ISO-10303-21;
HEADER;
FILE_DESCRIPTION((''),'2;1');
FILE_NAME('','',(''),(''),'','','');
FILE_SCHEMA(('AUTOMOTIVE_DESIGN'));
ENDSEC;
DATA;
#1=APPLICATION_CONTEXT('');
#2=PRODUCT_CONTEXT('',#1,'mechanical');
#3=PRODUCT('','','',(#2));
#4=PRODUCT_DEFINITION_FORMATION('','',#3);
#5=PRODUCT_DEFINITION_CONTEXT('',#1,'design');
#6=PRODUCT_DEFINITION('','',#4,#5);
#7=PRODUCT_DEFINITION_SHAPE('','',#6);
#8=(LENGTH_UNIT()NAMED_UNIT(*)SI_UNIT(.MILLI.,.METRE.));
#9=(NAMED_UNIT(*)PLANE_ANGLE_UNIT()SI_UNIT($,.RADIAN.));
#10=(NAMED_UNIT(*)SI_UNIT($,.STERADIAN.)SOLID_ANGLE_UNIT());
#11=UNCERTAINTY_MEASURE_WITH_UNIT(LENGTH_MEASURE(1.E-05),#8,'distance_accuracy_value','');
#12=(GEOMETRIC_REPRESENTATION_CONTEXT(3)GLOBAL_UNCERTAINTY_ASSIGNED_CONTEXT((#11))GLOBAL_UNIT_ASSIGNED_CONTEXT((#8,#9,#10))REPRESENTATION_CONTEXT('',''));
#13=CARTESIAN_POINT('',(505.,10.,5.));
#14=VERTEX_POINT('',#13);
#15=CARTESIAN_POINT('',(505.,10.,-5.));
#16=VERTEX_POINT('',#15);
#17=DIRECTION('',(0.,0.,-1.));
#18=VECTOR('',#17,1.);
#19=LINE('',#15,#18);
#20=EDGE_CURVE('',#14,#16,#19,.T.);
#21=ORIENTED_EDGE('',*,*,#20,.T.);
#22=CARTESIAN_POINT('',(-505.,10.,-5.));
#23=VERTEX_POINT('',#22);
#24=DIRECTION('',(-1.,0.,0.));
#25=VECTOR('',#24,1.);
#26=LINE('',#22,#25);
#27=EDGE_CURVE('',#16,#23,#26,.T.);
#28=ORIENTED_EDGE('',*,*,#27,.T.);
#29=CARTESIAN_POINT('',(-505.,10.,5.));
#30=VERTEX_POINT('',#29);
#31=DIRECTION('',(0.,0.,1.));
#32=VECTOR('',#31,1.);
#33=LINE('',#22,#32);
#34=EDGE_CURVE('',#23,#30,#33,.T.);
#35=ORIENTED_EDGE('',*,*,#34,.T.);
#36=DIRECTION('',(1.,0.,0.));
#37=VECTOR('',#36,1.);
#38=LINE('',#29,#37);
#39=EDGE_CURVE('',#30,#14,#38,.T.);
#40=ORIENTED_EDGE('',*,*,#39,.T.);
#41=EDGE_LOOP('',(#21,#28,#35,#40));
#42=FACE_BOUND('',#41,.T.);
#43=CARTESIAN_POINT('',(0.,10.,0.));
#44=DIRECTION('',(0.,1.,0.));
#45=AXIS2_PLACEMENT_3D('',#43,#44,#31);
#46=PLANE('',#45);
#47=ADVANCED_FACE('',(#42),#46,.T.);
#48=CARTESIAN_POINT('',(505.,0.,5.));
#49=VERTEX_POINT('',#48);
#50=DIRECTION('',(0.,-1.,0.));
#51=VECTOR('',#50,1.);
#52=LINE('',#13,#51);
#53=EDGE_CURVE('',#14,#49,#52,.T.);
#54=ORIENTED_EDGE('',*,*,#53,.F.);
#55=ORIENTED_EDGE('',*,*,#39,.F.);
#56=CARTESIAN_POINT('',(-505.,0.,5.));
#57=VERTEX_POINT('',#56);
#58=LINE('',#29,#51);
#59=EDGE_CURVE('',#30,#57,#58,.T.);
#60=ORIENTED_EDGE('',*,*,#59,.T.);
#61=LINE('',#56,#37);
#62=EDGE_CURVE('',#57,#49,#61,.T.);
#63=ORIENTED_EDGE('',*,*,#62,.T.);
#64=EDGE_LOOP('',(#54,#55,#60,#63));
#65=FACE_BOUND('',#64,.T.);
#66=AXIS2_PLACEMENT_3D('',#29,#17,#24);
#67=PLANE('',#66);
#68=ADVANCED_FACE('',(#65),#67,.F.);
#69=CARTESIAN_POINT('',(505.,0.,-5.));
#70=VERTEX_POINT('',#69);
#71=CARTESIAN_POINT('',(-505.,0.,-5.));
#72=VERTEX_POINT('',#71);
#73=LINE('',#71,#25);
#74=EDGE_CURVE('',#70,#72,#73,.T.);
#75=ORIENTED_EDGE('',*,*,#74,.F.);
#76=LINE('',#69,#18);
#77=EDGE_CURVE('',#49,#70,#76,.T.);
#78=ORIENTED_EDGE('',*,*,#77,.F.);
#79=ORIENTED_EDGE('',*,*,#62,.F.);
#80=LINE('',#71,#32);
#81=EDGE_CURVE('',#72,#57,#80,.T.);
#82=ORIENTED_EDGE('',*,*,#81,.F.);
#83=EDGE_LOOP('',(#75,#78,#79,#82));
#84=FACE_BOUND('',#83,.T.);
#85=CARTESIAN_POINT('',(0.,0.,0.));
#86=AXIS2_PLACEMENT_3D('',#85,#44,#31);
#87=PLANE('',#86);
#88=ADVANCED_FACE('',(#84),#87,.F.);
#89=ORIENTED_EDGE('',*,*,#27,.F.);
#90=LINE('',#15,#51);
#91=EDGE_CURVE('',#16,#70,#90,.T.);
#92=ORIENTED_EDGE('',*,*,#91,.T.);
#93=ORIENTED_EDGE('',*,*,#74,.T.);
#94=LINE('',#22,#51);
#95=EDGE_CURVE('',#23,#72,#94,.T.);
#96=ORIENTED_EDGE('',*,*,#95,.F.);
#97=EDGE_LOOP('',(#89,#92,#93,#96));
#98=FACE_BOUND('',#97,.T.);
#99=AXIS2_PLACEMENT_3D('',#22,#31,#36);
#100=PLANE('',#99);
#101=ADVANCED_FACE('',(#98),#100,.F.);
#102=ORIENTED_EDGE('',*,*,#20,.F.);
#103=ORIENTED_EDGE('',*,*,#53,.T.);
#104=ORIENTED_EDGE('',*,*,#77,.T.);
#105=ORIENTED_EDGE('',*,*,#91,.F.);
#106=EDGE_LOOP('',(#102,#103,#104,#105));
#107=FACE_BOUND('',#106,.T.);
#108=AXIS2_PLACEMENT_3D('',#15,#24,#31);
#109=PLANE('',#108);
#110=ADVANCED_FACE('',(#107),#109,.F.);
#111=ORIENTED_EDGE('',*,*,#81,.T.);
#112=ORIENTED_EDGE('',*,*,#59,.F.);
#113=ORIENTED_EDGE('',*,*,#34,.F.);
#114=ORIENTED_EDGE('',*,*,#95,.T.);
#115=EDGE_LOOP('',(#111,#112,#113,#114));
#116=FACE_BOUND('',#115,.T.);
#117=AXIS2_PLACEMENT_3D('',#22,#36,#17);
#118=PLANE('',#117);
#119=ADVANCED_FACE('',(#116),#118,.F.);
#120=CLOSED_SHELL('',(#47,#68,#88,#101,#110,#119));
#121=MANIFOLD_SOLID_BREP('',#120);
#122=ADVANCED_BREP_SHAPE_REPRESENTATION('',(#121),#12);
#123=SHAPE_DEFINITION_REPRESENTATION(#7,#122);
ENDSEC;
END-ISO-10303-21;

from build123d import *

# Parameters (mm, degrees)
SKETCH1_W           = 1010
SKETCH1_H           = 10
BOSS_EXTRUDE1_DEPTH = 10


with BuildPart() as part:
    # Sketch1 → Boss-Extrude1 (new body)
    with BuildSketch(Plane(origin=(0, 0, 0), x_dir=(1, 0, 0), z_dir=(0, 1, 0))):
        Rectangle(SKETCH1_W, SKETCH1_H)
    extrude(amount=BOSS_EXTRUDE1_DEPTH)


solid = part.part
